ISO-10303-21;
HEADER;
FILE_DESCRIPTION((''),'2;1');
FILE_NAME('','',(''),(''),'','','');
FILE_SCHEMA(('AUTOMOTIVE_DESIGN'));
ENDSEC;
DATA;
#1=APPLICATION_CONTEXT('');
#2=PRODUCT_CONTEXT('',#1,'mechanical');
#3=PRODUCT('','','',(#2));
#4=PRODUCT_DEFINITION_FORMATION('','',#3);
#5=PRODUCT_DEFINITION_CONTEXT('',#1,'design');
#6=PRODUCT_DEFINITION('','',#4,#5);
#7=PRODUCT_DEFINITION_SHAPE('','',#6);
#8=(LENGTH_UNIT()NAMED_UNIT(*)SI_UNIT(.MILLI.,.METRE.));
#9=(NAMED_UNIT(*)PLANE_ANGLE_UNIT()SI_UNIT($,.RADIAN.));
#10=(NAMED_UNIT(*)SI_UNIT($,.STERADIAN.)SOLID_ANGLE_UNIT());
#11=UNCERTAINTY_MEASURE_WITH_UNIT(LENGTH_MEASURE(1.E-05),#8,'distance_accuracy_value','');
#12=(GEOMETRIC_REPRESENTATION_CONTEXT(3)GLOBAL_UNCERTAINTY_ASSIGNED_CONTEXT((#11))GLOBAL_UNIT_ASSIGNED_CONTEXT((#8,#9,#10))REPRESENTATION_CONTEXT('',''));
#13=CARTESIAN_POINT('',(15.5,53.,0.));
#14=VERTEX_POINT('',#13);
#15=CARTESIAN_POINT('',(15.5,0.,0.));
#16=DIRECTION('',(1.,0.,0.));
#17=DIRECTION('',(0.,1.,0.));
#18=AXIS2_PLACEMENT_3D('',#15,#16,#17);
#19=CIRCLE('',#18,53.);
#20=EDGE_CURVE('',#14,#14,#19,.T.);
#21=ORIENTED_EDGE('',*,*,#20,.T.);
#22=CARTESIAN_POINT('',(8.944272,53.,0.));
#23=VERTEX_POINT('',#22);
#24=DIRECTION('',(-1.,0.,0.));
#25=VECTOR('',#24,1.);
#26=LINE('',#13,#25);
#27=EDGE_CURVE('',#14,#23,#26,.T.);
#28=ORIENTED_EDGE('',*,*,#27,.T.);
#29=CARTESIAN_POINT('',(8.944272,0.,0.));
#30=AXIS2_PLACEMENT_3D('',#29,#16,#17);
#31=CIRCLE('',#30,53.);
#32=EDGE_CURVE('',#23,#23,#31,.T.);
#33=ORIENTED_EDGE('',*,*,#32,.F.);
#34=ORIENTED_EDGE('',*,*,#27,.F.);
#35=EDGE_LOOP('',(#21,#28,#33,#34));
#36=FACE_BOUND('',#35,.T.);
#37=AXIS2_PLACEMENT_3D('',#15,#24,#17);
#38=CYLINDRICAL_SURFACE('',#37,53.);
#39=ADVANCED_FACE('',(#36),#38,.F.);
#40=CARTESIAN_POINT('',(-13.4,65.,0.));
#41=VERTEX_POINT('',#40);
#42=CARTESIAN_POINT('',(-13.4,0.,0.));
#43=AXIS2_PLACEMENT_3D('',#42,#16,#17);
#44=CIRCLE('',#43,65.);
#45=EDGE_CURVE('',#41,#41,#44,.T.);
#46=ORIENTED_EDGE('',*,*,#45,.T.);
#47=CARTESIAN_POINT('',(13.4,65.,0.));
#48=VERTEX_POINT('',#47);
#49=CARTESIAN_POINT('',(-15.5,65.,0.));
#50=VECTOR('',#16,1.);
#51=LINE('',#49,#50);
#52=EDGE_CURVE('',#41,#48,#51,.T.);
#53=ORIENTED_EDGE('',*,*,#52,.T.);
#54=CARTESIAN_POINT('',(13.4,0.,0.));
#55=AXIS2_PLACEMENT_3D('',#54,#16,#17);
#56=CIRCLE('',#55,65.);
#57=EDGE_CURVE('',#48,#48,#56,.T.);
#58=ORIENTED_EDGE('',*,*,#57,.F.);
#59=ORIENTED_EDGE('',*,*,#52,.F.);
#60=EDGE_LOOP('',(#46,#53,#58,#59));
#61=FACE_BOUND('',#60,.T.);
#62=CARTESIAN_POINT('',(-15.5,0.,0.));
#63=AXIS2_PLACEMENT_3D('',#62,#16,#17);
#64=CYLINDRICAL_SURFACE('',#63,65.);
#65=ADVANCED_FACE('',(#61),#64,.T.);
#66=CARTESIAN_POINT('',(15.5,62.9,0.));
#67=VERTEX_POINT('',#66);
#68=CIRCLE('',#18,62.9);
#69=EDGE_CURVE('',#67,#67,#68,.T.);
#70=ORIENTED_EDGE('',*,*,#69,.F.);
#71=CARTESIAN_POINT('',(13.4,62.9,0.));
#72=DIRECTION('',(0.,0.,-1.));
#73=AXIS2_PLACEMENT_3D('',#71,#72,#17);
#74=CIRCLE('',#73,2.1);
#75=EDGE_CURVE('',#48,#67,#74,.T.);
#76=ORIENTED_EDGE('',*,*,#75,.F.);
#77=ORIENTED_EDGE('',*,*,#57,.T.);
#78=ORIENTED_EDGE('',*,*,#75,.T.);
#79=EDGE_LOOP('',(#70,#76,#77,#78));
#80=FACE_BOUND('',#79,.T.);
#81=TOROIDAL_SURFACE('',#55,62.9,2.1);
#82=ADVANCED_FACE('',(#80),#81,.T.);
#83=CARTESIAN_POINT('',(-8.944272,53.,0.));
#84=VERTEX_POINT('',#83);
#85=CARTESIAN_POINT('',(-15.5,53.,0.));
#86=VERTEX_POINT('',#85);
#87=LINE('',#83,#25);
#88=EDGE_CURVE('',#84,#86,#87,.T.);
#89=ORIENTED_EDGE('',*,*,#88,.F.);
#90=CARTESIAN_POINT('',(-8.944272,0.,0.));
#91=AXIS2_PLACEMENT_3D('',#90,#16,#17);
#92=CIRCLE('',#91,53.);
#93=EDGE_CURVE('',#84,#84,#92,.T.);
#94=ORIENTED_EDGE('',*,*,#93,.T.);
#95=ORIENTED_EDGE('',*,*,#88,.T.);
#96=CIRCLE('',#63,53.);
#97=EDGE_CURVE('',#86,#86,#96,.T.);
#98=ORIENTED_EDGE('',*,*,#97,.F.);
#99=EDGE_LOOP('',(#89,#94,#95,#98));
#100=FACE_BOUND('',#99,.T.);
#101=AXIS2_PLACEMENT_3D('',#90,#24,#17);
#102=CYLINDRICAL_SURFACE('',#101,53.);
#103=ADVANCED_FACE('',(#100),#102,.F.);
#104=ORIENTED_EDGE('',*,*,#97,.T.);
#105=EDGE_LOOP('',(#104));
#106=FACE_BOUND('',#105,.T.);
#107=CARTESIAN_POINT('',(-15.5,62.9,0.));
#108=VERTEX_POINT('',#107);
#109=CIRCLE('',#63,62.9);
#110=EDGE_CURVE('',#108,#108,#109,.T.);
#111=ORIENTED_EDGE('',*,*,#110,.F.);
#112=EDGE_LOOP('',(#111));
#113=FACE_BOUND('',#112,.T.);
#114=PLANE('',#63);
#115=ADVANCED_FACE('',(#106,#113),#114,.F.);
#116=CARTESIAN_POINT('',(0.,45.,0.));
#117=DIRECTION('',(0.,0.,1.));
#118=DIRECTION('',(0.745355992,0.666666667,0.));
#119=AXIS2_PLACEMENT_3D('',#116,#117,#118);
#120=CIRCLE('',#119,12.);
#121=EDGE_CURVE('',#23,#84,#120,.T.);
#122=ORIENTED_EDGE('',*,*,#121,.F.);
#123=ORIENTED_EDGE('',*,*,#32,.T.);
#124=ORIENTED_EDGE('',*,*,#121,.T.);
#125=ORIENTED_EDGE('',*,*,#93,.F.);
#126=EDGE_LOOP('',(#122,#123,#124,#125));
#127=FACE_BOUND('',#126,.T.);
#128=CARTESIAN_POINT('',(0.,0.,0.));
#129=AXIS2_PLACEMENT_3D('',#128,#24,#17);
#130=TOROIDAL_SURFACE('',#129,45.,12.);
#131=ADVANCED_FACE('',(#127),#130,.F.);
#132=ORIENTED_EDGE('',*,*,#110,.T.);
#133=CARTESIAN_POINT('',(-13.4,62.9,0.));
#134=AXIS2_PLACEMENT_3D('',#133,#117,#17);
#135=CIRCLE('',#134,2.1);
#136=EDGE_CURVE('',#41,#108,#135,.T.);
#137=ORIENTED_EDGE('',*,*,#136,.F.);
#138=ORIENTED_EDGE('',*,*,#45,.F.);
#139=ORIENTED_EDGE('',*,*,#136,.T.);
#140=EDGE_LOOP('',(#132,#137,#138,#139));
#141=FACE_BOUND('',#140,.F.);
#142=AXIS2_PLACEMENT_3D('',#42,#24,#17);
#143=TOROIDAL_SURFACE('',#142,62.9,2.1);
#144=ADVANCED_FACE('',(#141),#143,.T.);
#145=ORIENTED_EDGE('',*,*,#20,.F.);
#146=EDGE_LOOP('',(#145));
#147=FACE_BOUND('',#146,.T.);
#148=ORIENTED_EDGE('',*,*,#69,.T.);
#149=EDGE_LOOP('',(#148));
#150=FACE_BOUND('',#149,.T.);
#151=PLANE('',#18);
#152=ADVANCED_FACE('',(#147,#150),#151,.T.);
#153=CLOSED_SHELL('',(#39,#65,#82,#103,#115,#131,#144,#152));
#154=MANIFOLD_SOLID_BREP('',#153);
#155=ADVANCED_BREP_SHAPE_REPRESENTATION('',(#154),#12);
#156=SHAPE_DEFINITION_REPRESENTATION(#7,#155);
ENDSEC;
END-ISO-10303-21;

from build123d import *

# Parameters (mm, degrees)
FILLET1_R = 2.1


with BuildPart() as part:
    # Sketch1 → Revolve1 (revolve)
    with BuildSketch(Plane.XY):
        with BuildLine():
            Line((-15.5, 65), (15.5, 65))
            Line((15.5, 65), (15.5, 53))
            Line((15.5, 53), (8.94427191, 53))
            ThreePointArc((8.94427191, 53), (0, 57), (-8.94427191, 53))
            Line((-8.94427191, 53), (-15.5, 53))
            Line((-15.5, 53), (-15.5, 65))
        make_face()
    revolve(axis=Axis((-19.179032775, 0, 0), (1, 0, 0)))

    # Fillet1
    fillet1_edges = [part.edges().sort_by_distance(p)[0] for p in [
        (-15.5, -65, 0),
        (15.5, -65, 0),
    ]]
    fillet(fillet1_edges, radius=FILLET1_R)


solid = part.part
